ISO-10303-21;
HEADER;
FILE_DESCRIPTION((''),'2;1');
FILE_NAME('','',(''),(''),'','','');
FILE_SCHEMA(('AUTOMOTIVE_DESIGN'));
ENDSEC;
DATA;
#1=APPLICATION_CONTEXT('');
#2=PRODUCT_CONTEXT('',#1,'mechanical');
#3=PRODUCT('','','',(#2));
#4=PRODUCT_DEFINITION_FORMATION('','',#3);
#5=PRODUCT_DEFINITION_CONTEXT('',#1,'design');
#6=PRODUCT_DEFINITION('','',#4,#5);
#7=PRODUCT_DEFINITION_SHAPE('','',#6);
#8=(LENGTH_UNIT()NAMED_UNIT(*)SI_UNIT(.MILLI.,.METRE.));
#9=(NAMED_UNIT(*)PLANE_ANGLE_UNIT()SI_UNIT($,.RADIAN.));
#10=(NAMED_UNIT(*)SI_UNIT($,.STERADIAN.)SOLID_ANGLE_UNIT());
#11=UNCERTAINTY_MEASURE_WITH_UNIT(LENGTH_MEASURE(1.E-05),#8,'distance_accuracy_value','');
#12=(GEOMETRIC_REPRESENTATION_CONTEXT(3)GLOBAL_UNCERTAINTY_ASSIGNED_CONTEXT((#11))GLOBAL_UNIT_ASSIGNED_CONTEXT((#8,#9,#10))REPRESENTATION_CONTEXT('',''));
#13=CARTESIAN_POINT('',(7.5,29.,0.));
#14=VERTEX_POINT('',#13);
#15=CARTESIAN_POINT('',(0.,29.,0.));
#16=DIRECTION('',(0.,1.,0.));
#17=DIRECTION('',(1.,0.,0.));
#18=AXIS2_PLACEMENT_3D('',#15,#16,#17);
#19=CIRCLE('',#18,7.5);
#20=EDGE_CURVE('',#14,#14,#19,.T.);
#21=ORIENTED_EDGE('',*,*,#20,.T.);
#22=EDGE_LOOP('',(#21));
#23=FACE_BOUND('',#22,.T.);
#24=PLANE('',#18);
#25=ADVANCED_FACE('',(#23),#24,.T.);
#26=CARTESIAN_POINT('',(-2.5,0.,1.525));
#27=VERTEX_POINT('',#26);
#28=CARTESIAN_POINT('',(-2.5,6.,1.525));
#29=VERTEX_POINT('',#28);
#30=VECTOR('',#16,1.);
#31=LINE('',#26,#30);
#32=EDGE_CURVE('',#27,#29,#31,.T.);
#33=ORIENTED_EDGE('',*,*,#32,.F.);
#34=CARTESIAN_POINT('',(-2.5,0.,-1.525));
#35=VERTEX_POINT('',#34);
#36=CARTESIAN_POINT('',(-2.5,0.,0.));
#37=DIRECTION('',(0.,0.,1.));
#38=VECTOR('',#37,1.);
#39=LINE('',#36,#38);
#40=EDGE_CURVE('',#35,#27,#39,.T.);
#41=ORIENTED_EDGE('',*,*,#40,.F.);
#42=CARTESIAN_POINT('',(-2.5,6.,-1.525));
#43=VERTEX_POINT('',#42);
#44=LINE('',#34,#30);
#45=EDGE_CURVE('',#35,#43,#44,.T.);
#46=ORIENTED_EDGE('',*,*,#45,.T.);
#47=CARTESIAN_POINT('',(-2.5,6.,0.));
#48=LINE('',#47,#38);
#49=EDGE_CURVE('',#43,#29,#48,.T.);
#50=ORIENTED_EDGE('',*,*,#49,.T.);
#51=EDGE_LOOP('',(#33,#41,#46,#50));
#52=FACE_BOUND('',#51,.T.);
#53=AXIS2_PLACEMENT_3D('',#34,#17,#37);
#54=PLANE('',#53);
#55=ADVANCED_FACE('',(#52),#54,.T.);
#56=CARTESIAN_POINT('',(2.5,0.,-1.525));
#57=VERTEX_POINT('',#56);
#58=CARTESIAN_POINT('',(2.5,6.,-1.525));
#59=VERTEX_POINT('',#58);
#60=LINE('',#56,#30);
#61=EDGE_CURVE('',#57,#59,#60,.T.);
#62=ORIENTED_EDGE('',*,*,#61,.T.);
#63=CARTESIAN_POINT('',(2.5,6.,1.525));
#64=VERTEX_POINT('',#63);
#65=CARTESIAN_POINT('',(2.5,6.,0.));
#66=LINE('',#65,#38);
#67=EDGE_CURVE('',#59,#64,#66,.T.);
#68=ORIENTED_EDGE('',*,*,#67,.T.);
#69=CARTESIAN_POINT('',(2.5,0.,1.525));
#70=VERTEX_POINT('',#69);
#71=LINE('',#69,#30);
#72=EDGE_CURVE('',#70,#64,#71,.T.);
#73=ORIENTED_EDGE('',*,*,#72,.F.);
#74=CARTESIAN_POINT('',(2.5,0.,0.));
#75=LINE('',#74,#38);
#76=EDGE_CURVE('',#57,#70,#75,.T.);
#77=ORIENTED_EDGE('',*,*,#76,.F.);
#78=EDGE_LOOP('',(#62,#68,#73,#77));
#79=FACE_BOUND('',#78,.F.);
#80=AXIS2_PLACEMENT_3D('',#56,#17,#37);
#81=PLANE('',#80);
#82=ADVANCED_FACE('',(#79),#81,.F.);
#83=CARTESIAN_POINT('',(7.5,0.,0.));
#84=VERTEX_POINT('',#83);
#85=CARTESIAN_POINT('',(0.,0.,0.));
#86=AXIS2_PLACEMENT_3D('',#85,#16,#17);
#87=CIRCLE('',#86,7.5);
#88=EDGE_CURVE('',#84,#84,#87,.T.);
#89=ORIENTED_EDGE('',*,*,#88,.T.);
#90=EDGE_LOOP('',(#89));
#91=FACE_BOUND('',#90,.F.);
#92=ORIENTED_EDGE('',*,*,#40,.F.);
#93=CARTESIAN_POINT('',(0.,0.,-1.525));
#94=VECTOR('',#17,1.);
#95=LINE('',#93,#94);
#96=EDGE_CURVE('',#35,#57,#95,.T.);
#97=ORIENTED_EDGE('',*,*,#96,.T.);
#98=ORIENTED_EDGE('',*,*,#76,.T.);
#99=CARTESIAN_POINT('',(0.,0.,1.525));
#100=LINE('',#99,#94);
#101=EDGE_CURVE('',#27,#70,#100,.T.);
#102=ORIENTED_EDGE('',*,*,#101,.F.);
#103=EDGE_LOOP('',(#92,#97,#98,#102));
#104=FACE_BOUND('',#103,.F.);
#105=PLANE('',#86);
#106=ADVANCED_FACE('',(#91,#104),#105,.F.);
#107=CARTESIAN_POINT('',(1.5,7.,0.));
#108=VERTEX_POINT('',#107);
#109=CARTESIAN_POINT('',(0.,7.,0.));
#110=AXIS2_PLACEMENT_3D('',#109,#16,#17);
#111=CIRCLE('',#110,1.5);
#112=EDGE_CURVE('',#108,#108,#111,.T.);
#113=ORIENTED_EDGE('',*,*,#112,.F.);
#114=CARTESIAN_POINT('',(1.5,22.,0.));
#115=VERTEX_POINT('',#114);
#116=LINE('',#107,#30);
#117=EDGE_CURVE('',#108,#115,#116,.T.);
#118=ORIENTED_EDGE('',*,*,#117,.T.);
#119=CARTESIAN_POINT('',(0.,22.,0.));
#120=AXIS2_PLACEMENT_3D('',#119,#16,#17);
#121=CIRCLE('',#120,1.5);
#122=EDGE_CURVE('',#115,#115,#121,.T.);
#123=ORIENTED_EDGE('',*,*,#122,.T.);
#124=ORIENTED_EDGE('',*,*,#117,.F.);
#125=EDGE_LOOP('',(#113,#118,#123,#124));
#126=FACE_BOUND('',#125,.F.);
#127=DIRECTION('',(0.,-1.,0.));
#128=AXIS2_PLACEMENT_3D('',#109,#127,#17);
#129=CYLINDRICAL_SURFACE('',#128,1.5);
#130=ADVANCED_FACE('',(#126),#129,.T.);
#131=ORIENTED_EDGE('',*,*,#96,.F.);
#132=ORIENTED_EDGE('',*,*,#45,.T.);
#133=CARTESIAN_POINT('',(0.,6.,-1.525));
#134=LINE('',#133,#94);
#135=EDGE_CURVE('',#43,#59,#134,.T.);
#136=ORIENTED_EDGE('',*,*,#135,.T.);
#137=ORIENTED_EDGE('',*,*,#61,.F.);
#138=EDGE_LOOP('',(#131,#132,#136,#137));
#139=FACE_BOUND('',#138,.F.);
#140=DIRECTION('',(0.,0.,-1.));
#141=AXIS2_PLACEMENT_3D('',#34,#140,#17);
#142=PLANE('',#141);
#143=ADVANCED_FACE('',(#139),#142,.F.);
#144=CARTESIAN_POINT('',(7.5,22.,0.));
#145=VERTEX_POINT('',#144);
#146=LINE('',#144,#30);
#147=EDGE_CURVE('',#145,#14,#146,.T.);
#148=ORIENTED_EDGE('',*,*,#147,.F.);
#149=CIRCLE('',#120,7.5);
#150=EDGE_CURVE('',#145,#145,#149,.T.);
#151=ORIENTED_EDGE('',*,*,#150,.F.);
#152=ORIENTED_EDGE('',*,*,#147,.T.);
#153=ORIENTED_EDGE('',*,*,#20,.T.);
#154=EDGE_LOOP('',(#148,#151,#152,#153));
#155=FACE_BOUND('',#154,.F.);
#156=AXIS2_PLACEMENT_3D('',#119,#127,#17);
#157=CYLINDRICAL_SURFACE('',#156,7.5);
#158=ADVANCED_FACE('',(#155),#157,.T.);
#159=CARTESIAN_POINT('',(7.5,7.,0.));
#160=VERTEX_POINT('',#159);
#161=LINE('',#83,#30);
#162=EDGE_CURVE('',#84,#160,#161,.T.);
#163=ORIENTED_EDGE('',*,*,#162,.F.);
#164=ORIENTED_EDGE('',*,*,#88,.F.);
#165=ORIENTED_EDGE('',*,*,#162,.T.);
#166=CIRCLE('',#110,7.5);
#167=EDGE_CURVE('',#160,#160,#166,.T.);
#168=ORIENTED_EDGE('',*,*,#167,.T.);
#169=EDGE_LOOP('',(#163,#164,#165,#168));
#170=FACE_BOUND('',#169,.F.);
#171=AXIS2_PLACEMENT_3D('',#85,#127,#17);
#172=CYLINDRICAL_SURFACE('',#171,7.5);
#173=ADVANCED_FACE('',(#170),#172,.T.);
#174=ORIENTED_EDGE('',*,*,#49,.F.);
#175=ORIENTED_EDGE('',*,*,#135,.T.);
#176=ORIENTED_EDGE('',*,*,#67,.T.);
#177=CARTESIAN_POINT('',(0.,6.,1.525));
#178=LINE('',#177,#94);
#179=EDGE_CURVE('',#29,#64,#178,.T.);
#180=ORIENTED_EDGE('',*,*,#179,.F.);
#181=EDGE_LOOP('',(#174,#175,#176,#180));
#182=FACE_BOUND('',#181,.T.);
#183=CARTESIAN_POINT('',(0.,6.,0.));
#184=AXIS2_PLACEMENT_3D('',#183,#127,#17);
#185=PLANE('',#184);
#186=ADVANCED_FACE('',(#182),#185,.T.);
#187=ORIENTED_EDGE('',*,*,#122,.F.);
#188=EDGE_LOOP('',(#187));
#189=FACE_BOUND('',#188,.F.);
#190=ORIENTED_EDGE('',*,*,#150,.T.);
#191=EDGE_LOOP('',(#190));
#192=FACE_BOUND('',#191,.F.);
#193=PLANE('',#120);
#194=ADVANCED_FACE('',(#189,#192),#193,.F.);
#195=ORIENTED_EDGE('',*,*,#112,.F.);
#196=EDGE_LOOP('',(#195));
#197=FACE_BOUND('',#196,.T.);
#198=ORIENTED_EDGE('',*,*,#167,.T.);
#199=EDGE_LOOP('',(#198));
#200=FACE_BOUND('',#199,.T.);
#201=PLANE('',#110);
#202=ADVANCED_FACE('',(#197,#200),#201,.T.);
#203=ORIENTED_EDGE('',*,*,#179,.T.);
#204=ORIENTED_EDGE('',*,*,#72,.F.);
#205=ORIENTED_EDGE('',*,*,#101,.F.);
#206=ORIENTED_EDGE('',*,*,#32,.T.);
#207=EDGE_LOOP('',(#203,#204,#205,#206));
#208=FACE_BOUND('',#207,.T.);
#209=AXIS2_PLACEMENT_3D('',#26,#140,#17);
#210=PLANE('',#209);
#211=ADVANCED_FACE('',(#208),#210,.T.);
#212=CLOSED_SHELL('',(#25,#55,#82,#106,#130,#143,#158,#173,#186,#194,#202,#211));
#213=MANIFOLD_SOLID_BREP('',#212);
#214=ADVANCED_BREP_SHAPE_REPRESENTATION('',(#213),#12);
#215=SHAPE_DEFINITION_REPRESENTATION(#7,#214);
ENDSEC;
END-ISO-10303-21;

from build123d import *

# Parameters (mm, degrees)
SKETCH1_R           = 7.5
BOSS_EXTRUDE1_DEPTH = 7
SKETCH2_R           = 1.5
BOSS_EXTRUDE2_DEPTH = 15
SKETCH3_W           = 5
SKETCH3_H           = 3.05
CUT_EXTRUDE1_DEPTH  = 6
SKETCH4_R           = 7.5
BOSS_EXTRUDE3_DEPTH = 7


with BuildPart() as part:
    # Sketch1 → Boss-Extrude1 (new body)
    with BuildSketch(Plane(origin=(0, 0, 0), x_dir=(1, 0, 0), z_dir=(0, 1, 0))):
        Circle(SKETCH1_R)
    extrude(amount=BOSS_EXTRUDE1_DEPTH)

    # Sketch2 → Boss-Extrude2 (add)
    with BuildSketch(Plane(origin=(0, 7, 0), x_dir=(1, 0, 0), z_dir=(0, 1, 0))):
        Circle(SKETCH2_R)
    extrude(amount=BOSS_EXTRUDE2_DEPTH)

    # Sketch3 → Cut-Extrude1 (cut)
    with BuildSketch(Plane.XZ):
        Rectangle(SKETCH3_W, SKETCH3_H)
    extrude(amount=-CUT_EXTRUDE1_DEPTH, mode=Mode.SUBTRACT)

    # Sketch4 → Boss-Extrude3 (add)
    with BuildSketch(Plane(origin=(0, 22, 0), x_dir=(1, 0, 0), z_dir=(0, 1, 0))):
        Circle(SKETCH4_R)
    extrude(amount=BOSS_EXTRUDE3_DEPTH)


solid = part.part
